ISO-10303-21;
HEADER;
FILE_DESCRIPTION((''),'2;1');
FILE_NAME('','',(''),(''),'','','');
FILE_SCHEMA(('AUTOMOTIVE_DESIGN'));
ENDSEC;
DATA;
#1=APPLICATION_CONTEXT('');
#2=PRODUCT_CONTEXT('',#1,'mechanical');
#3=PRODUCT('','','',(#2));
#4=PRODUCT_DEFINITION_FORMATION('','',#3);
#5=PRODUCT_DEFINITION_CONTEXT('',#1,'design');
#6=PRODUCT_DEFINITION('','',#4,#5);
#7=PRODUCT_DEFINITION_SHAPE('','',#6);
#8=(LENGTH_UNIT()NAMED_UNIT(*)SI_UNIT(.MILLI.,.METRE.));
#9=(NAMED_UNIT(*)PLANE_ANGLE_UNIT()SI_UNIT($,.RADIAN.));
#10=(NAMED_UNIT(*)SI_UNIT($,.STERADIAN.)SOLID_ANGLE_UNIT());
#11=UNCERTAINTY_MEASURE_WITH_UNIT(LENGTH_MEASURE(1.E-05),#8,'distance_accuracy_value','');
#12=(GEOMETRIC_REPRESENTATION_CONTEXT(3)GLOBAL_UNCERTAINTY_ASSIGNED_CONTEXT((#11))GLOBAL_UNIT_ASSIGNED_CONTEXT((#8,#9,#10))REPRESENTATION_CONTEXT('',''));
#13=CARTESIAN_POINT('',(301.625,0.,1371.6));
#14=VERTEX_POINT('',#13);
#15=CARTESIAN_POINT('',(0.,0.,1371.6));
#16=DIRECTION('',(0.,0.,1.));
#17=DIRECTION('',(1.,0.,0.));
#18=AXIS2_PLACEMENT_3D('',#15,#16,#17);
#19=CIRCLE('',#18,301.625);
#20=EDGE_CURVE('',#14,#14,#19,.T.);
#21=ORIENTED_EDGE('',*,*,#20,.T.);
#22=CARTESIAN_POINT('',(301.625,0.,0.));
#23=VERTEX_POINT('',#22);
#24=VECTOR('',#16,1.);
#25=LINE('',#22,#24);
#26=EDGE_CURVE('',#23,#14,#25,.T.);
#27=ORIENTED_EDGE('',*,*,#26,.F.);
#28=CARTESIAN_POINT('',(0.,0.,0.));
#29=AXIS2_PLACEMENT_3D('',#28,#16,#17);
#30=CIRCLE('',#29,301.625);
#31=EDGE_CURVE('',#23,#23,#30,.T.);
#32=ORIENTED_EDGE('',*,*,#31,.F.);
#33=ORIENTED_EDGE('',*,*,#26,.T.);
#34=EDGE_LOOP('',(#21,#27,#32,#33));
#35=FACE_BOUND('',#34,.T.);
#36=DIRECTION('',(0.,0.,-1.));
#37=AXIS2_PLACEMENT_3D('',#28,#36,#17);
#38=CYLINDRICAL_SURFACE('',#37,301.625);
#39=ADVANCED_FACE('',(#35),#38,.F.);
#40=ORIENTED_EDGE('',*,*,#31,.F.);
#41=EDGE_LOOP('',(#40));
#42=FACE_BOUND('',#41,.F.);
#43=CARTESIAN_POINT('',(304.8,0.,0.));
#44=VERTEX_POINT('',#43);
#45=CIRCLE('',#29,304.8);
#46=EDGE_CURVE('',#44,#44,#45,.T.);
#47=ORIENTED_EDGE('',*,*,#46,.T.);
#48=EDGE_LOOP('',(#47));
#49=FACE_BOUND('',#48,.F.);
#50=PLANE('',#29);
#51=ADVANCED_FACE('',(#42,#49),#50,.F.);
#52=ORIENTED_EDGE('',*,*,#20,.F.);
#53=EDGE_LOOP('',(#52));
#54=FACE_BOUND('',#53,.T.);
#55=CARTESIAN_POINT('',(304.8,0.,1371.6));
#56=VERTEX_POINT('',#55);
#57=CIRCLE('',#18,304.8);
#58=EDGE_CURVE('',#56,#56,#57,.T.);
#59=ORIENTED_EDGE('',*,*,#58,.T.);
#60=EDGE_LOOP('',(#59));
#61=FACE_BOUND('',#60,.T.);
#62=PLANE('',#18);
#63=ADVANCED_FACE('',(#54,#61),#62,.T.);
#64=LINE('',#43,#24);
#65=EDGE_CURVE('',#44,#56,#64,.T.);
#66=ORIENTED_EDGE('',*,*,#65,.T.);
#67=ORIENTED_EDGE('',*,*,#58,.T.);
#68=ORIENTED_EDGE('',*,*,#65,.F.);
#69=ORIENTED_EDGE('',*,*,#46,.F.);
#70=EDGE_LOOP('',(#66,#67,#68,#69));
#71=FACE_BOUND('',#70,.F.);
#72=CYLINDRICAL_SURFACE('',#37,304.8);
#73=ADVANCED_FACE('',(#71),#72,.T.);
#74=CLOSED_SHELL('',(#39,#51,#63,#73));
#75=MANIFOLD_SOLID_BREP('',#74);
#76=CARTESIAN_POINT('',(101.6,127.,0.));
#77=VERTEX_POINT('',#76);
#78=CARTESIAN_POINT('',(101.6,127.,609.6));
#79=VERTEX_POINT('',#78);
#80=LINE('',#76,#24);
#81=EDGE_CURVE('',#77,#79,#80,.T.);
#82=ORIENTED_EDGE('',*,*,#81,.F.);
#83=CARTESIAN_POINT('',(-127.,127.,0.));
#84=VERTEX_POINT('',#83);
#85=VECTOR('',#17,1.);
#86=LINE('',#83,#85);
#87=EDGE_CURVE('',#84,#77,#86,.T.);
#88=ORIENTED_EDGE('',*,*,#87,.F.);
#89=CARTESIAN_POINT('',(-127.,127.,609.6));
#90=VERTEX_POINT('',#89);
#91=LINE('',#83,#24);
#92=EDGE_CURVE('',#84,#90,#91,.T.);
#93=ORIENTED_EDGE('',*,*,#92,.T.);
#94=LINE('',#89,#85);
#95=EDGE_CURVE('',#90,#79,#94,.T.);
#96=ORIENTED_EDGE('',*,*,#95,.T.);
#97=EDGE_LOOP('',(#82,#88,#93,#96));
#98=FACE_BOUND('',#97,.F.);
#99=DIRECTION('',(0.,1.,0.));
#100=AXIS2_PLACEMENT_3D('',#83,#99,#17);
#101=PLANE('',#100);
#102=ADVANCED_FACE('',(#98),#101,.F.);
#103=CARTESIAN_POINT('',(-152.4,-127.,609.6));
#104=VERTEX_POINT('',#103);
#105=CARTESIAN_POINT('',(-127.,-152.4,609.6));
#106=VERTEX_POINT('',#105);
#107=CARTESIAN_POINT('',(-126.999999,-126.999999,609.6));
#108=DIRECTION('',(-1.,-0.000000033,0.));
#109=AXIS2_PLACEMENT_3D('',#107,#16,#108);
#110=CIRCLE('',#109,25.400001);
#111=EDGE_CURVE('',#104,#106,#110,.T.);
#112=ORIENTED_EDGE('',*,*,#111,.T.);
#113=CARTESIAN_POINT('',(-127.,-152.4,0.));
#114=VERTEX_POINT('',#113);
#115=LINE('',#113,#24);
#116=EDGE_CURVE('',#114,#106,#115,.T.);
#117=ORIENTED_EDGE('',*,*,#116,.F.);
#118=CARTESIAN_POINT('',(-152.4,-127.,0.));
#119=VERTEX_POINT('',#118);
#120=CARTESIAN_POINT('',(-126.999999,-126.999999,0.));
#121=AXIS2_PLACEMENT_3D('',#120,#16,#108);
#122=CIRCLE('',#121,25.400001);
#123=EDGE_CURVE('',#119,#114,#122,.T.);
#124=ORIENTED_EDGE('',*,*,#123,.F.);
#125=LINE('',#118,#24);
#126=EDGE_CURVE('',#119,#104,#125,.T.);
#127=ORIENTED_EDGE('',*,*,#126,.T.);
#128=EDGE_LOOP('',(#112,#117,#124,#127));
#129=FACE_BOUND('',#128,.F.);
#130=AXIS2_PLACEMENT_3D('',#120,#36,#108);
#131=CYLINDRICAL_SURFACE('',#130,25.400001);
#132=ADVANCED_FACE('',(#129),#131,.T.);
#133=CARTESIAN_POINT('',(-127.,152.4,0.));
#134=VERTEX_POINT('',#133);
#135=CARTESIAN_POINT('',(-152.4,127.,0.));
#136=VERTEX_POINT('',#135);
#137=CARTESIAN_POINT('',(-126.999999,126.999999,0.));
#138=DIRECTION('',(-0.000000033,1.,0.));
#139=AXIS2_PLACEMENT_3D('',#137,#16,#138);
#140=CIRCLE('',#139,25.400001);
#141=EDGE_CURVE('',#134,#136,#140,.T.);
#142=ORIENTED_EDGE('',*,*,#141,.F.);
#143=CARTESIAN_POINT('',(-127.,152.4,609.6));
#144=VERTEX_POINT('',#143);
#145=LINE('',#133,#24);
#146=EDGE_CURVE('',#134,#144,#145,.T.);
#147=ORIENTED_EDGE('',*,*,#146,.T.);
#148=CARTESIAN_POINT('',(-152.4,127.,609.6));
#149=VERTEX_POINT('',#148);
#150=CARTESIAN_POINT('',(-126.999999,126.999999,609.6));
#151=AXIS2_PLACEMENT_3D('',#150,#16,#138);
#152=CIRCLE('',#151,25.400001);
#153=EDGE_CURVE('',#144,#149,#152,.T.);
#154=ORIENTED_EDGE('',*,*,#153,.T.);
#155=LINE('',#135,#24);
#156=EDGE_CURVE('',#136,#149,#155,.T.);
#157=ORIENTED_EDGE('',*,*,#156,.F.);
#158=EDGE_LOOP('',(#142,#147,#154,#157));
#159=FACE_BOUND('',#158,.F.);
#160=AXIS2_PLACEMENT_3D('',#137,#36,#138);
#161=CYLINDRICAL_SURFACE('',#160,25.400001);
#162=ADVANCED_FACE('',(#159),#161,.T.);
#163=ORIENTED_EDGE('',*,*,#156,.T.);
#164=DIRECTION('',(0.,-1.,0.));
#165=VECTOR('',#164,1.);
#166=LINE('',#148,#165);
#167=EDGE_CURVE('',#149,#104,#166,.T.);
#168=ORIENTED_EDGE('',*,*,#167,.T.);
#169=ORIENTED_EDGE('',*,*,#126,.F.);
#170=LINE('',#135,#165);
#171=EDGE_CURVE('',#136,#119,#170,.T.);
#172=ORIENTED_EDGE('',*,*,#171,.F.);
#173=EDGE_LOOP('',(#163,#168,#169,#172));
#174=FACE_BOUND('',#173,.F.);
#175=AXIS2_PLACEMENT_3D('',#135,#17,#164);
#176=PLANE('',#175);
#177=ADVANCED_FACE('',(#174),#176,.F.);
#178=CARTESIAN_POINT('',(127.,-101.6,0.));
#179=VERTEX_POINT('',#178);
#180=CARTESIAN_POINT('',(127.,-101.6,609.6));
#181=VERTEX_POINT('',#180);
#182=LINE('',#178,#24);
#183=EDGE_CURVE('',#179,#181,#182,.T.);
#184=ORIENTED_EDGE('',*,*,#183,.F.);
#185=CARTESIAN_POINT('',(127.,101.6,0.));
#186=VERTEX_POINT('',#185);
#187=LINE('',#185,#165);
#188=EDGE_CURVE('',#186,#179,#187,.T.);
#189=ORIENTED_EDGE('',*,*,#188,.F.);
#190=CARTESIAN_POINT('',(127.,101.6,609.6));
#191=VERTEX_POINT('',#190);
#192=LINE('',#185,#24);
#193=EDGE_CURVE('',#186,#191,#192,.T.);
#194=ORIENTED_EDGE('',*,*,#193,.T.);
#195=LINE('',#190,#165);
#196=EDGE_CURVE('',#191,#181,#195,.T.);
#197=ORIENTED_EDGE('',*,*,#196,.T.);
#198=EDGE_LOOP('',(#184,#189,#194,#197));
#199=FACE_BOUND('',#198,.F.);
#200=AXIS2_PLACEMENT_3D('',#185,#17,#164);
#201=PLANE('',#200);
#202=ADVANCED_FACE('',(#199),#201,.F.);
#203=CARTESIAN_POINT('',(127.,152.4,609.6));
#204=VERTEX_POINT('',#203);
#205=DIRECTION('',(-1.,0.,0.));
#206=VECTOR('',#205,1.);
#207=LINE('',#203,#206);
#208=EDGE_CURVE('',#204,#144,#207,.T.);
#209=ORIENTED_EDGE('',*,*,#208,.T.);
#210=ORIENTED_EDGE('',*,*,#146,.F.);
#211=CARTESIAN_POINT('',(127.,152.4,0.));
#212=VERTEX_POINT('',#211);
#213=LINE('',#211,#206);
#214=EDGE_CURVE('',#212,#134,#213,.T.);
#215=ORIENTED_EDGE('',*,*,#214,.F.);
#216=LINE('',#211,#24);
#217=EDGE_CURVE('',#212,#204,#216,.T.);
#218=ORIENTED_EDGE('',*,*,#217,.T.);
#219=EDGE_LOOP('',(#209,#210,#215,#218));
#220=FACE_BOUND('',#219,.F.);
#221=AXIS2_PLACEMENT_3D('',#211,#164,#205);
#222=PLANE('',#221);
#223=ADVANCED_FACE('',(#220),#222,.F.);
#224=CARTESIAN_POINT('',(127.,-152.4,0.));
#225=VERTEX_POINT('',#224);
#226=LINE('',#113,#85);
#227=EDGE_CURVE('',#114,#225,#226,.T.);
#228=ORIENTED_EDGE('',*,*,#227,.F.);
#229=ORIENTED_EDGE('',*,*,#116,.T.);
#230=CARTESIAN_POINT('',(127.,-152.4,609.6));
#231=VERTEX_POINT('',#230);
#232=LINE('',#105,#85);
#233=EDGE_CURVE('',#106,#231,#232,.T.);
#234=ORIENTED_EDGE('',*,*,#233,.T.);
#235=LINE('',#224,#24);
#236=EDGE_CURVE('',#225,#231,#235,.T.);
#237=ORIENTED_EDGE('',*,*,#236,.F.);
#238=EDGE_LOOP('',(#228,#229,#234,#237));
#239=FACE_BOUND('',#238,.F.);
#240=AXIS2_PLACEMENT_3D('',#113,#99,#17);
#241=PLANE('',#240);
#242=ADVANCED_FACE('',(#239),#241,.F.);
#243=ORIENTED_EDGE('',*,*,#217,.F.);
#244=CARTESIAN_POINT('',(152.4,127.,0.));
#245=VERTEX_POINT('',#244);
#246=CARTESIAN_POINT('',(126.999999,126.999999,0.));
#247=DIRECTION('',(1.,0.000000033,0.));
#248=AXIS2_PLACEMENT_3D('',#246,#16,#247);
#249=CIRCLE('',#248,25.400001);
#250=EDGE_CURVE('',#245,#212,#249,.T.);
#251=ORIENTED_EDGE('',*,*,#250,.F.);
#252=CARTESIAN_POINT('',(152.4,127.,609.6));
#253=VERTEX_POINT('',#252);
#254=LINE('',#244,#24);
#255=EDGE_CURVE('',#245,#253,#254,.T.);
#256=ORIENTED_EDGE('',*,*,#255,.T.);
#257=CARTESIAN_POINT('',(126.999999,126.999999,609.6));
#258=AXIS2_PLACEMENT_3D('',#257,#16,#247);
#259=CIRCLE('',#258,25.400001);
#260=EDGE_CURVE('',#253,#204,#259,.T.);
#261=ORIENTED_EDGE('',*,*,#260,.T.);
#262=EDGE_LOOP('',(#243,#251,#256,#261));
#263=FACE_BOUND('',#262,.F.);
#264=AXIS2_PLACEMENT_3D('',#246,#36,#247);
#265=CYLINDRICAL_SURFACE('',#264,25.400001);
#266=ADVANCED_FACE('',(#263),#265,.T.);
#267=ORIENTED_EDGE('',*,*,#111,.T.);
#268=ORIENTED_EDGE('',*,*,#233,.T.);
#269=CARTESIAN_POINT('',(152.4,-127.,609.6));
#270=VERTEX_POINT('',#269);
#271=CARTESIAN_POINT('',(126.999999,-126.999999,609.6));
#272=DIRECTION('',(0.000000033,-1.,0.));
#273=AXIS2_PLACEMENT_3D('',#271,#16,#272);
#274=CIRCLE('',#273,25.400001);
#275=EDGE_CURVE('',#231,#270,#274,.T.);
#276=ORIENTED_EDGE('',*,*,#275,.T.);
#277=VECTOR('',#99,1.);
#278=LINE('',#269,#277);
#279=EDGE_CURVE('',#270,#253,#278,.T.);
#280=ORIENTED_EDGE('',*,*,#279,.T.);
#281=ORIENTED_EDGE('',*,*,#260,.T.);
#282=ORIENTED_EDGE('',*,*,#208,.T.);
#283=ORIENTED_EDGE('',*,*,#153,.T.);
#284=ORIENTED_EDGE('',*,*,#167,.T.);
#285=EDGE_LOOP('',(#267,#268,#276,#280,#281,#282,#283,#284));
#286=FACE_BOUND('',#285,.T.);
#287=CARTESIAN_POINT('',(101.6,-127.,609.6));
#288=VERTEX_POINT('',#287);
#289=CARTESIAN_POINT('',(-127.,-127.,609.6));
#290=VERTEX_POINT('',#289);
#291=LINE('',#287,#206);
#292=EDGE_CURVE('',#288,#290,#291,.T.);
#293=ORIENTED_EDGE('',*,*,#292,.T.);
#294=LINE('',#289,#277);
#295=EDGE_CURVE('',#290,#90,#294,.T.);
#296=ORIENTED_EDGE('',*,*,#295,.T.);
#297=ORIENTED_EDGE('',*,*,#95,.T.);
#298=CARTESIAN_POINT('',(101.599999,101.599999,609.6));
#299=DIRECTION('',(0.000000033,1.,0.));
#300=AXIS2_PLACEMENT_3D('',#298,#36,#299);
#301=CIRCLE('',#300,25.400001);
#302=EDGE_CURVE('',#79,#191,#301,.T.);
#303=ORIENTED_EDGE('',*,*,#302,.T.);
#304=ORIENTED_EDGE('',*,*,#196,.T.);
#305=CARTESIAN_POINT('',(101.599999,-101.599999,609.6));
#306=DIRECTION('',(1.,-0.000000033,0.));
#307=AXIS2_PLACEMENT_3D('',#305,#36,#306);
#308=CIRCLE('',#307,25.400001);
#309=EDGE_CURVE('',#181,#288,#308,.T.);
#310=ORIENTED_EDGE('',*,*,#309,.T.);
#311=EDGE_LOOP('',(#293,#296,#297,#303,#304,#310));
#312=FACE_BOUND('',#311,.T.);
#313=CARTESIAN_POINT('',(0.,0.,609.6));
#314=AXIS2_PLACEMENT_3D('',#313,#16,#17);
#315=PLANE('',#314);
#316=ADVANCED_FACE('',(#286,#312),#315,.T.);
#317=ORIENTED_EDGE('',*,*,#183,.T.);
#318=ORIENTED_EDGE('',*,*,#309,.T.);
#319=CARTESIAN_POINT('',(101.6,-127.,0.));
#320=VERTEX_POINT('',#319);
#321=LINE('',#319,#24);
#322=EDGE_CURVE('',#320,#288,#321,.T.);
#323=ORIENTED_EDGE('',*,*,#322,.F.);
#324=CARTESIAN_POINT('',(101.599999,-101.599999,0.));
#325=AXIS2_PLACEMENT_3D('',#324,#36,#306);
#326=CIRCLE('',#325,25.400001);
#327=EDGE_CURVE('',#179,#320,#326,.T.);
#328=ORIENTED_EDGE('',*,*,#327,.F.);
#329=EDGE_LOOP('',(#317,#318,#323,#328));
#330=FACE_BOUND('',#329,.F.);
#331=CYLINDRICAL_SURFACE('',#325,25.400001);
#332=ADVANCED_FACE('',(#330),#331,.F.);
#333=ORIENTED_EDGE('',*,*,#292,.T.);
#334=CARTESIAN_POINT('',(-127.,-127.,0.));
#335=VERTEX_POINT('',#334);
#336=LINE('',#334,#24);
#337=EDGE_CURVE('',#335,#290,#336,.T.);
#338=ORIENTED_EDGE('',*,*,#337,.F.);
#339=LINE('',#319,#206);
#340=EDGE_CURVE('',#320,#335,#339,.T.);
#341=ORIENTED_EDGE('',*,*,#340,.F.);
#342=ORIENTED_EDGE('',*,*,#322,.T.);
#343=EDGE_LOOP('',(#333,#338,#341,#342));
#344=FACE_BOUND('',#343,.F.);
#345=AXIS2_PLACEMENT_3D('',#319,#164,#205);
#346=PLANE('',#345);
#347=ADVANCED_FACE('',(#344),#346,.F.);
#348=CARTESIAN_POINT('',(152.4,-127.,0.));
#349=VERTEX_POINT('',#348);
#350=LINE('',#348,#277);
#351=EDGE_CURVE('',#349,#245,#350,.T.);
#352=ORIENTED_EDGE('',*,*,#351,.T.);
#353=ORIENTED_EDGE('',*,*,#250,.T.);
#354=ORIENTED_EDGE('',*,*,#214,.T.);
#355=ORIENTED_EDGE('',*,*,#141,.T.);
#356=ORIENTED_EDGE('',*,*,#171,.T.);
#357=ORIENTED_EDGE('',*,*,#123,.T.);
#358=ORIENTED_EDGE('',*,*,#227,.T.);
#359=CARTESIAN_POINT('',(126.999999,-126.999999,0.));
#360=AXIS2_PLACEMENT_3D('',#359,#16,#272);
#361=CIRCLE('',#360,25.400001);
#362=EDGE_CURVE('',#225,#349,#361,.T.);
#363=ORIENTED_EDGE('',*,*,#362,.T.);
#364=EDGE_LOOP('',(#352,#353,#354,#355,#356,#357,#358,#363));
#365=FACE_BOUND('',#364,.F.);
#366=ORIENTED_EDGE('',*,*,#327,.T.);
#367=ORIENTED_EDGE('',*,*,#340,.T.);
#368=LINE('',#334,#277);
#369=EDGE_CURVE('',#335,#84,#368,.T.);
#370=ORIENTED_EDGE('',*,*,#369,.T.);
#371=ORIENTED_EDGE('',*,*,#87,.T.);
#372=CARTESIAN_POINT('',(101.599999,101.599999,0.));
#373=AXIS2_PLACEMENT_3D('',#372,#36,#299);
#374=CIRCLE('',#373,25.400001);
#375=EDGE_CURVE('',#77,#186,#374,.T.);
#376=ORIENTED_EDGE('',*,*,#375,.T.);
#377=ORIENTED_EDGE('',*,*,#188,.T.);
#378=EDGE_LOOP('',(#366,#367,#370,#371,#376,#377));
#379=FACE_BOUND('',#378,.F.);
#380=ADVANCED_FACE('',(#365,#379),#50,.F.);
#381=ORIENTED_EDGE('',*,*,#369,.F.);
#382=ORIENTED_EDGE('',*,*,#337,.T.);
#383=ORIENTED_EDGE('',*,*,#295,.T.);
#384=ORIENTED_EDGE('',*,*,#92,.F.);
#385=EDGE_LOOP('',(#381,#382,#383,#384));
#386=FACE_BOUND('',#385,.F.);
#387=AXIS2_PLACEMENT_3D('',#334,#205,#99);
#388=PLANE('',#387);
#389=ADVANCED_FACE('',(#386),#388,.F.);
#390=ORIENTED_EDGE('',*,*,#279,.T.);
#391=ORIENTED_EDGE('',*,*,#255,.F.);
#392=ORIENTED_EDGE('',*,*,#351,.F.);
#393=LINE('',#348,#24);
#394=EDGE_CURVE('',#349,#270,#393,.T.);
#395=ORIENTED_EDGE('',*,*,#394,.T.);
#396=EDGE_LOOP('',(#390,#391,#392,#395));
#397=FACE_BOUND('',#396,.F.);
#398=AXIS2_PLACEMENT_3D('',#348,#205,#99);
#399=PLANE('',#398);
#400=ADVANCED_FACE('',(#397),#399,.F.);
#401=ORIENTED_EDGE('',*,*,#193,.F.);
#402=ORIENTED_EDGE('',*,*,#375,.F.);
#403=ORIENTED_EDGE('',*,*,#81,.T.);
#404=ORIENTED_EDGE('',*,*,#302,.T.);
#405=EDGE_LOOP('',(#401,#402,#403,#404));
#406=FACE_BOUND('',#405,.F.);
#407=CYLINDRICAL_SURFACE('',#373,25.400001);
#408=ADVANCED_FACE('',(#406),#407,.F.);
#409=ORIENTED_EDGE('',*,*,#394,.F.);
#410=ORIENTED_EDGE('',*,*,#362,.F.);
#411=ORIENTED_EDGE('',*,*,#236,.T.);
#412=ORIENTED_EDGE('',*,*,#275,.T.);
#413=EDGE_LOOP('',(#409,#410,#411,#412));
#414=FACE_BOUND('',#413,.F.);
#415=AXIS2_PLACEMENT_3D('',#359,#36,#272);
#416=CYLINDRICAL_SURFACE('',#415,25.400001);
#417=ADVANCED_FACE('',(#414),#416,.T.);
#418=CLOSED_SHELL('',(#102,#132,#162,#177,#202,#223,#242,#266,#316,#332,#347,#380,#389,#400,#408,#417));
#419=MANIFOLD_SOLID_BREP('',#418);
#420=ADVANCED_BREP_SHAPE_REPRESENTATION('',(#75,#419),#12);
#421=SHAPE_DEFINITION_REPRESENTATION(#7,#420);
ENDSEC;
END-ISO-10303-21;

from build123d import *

# Parameters (mm, degrees)
F1_DEPTH = 609.6
F0_R     = 304.8
F0_R_2   = 301.625
F2_DEPTH = 1371.6


with BuildPart() as f1:
    # F0 (on Top) → F1 (new body)
    with BuildSketch(Plane.XY):
        with BuildLine():
            Line((127, 152.4), (-127, 152.4))
            ThreePointArc((-127, 152.4), (-144.960512, 144.960512), (-152.4, 127))
            Line((-152.4, 127), (-152.4, -127))
            ThreePointArc((-152.4, -127), (-144.960512, -144.960512), (-127, -152.4))
            Line((-127, -152.4), (127, -152.4))
            ThreePointArc((127, -152.4), (144.960512, -144.960512), (152.4, -127))
            Line((152.4, -127), (152.4, 127))
            ThreePointArc((152.4, 127), (144.960512, 144.960512), (127, 152.4))
        make_face()
        with BuildLine():
            ThreePointArc((127, -101.6), (119.560512, -119.560512), (101.6, -127))
            Line((101.6, -127), (-127, -127))
            Line((-127, -127), (-127, 127))
            Line((-127, 127), (101.6, 127))
            ThreePointArc((101.6, 127), (119.560512, 119.560512), (127, 101.6))
            Line((127, 101.6), (127, -101.6))
        make_face(mode=Mode.SUBTRACT)
    extrude(amount=F1_DEPTH)


with BuildPart() as f2:
    # F0 (on Top) → F2 (new body)
    with BuildSketch(Plane.XY):
        Circle(F0_R)
        Circle(F0_R_2, mode=Mode.SUBTRACT)
    extrude(amount=F2_DEPTH)


solid = Compound([f1.part, f2.part])
